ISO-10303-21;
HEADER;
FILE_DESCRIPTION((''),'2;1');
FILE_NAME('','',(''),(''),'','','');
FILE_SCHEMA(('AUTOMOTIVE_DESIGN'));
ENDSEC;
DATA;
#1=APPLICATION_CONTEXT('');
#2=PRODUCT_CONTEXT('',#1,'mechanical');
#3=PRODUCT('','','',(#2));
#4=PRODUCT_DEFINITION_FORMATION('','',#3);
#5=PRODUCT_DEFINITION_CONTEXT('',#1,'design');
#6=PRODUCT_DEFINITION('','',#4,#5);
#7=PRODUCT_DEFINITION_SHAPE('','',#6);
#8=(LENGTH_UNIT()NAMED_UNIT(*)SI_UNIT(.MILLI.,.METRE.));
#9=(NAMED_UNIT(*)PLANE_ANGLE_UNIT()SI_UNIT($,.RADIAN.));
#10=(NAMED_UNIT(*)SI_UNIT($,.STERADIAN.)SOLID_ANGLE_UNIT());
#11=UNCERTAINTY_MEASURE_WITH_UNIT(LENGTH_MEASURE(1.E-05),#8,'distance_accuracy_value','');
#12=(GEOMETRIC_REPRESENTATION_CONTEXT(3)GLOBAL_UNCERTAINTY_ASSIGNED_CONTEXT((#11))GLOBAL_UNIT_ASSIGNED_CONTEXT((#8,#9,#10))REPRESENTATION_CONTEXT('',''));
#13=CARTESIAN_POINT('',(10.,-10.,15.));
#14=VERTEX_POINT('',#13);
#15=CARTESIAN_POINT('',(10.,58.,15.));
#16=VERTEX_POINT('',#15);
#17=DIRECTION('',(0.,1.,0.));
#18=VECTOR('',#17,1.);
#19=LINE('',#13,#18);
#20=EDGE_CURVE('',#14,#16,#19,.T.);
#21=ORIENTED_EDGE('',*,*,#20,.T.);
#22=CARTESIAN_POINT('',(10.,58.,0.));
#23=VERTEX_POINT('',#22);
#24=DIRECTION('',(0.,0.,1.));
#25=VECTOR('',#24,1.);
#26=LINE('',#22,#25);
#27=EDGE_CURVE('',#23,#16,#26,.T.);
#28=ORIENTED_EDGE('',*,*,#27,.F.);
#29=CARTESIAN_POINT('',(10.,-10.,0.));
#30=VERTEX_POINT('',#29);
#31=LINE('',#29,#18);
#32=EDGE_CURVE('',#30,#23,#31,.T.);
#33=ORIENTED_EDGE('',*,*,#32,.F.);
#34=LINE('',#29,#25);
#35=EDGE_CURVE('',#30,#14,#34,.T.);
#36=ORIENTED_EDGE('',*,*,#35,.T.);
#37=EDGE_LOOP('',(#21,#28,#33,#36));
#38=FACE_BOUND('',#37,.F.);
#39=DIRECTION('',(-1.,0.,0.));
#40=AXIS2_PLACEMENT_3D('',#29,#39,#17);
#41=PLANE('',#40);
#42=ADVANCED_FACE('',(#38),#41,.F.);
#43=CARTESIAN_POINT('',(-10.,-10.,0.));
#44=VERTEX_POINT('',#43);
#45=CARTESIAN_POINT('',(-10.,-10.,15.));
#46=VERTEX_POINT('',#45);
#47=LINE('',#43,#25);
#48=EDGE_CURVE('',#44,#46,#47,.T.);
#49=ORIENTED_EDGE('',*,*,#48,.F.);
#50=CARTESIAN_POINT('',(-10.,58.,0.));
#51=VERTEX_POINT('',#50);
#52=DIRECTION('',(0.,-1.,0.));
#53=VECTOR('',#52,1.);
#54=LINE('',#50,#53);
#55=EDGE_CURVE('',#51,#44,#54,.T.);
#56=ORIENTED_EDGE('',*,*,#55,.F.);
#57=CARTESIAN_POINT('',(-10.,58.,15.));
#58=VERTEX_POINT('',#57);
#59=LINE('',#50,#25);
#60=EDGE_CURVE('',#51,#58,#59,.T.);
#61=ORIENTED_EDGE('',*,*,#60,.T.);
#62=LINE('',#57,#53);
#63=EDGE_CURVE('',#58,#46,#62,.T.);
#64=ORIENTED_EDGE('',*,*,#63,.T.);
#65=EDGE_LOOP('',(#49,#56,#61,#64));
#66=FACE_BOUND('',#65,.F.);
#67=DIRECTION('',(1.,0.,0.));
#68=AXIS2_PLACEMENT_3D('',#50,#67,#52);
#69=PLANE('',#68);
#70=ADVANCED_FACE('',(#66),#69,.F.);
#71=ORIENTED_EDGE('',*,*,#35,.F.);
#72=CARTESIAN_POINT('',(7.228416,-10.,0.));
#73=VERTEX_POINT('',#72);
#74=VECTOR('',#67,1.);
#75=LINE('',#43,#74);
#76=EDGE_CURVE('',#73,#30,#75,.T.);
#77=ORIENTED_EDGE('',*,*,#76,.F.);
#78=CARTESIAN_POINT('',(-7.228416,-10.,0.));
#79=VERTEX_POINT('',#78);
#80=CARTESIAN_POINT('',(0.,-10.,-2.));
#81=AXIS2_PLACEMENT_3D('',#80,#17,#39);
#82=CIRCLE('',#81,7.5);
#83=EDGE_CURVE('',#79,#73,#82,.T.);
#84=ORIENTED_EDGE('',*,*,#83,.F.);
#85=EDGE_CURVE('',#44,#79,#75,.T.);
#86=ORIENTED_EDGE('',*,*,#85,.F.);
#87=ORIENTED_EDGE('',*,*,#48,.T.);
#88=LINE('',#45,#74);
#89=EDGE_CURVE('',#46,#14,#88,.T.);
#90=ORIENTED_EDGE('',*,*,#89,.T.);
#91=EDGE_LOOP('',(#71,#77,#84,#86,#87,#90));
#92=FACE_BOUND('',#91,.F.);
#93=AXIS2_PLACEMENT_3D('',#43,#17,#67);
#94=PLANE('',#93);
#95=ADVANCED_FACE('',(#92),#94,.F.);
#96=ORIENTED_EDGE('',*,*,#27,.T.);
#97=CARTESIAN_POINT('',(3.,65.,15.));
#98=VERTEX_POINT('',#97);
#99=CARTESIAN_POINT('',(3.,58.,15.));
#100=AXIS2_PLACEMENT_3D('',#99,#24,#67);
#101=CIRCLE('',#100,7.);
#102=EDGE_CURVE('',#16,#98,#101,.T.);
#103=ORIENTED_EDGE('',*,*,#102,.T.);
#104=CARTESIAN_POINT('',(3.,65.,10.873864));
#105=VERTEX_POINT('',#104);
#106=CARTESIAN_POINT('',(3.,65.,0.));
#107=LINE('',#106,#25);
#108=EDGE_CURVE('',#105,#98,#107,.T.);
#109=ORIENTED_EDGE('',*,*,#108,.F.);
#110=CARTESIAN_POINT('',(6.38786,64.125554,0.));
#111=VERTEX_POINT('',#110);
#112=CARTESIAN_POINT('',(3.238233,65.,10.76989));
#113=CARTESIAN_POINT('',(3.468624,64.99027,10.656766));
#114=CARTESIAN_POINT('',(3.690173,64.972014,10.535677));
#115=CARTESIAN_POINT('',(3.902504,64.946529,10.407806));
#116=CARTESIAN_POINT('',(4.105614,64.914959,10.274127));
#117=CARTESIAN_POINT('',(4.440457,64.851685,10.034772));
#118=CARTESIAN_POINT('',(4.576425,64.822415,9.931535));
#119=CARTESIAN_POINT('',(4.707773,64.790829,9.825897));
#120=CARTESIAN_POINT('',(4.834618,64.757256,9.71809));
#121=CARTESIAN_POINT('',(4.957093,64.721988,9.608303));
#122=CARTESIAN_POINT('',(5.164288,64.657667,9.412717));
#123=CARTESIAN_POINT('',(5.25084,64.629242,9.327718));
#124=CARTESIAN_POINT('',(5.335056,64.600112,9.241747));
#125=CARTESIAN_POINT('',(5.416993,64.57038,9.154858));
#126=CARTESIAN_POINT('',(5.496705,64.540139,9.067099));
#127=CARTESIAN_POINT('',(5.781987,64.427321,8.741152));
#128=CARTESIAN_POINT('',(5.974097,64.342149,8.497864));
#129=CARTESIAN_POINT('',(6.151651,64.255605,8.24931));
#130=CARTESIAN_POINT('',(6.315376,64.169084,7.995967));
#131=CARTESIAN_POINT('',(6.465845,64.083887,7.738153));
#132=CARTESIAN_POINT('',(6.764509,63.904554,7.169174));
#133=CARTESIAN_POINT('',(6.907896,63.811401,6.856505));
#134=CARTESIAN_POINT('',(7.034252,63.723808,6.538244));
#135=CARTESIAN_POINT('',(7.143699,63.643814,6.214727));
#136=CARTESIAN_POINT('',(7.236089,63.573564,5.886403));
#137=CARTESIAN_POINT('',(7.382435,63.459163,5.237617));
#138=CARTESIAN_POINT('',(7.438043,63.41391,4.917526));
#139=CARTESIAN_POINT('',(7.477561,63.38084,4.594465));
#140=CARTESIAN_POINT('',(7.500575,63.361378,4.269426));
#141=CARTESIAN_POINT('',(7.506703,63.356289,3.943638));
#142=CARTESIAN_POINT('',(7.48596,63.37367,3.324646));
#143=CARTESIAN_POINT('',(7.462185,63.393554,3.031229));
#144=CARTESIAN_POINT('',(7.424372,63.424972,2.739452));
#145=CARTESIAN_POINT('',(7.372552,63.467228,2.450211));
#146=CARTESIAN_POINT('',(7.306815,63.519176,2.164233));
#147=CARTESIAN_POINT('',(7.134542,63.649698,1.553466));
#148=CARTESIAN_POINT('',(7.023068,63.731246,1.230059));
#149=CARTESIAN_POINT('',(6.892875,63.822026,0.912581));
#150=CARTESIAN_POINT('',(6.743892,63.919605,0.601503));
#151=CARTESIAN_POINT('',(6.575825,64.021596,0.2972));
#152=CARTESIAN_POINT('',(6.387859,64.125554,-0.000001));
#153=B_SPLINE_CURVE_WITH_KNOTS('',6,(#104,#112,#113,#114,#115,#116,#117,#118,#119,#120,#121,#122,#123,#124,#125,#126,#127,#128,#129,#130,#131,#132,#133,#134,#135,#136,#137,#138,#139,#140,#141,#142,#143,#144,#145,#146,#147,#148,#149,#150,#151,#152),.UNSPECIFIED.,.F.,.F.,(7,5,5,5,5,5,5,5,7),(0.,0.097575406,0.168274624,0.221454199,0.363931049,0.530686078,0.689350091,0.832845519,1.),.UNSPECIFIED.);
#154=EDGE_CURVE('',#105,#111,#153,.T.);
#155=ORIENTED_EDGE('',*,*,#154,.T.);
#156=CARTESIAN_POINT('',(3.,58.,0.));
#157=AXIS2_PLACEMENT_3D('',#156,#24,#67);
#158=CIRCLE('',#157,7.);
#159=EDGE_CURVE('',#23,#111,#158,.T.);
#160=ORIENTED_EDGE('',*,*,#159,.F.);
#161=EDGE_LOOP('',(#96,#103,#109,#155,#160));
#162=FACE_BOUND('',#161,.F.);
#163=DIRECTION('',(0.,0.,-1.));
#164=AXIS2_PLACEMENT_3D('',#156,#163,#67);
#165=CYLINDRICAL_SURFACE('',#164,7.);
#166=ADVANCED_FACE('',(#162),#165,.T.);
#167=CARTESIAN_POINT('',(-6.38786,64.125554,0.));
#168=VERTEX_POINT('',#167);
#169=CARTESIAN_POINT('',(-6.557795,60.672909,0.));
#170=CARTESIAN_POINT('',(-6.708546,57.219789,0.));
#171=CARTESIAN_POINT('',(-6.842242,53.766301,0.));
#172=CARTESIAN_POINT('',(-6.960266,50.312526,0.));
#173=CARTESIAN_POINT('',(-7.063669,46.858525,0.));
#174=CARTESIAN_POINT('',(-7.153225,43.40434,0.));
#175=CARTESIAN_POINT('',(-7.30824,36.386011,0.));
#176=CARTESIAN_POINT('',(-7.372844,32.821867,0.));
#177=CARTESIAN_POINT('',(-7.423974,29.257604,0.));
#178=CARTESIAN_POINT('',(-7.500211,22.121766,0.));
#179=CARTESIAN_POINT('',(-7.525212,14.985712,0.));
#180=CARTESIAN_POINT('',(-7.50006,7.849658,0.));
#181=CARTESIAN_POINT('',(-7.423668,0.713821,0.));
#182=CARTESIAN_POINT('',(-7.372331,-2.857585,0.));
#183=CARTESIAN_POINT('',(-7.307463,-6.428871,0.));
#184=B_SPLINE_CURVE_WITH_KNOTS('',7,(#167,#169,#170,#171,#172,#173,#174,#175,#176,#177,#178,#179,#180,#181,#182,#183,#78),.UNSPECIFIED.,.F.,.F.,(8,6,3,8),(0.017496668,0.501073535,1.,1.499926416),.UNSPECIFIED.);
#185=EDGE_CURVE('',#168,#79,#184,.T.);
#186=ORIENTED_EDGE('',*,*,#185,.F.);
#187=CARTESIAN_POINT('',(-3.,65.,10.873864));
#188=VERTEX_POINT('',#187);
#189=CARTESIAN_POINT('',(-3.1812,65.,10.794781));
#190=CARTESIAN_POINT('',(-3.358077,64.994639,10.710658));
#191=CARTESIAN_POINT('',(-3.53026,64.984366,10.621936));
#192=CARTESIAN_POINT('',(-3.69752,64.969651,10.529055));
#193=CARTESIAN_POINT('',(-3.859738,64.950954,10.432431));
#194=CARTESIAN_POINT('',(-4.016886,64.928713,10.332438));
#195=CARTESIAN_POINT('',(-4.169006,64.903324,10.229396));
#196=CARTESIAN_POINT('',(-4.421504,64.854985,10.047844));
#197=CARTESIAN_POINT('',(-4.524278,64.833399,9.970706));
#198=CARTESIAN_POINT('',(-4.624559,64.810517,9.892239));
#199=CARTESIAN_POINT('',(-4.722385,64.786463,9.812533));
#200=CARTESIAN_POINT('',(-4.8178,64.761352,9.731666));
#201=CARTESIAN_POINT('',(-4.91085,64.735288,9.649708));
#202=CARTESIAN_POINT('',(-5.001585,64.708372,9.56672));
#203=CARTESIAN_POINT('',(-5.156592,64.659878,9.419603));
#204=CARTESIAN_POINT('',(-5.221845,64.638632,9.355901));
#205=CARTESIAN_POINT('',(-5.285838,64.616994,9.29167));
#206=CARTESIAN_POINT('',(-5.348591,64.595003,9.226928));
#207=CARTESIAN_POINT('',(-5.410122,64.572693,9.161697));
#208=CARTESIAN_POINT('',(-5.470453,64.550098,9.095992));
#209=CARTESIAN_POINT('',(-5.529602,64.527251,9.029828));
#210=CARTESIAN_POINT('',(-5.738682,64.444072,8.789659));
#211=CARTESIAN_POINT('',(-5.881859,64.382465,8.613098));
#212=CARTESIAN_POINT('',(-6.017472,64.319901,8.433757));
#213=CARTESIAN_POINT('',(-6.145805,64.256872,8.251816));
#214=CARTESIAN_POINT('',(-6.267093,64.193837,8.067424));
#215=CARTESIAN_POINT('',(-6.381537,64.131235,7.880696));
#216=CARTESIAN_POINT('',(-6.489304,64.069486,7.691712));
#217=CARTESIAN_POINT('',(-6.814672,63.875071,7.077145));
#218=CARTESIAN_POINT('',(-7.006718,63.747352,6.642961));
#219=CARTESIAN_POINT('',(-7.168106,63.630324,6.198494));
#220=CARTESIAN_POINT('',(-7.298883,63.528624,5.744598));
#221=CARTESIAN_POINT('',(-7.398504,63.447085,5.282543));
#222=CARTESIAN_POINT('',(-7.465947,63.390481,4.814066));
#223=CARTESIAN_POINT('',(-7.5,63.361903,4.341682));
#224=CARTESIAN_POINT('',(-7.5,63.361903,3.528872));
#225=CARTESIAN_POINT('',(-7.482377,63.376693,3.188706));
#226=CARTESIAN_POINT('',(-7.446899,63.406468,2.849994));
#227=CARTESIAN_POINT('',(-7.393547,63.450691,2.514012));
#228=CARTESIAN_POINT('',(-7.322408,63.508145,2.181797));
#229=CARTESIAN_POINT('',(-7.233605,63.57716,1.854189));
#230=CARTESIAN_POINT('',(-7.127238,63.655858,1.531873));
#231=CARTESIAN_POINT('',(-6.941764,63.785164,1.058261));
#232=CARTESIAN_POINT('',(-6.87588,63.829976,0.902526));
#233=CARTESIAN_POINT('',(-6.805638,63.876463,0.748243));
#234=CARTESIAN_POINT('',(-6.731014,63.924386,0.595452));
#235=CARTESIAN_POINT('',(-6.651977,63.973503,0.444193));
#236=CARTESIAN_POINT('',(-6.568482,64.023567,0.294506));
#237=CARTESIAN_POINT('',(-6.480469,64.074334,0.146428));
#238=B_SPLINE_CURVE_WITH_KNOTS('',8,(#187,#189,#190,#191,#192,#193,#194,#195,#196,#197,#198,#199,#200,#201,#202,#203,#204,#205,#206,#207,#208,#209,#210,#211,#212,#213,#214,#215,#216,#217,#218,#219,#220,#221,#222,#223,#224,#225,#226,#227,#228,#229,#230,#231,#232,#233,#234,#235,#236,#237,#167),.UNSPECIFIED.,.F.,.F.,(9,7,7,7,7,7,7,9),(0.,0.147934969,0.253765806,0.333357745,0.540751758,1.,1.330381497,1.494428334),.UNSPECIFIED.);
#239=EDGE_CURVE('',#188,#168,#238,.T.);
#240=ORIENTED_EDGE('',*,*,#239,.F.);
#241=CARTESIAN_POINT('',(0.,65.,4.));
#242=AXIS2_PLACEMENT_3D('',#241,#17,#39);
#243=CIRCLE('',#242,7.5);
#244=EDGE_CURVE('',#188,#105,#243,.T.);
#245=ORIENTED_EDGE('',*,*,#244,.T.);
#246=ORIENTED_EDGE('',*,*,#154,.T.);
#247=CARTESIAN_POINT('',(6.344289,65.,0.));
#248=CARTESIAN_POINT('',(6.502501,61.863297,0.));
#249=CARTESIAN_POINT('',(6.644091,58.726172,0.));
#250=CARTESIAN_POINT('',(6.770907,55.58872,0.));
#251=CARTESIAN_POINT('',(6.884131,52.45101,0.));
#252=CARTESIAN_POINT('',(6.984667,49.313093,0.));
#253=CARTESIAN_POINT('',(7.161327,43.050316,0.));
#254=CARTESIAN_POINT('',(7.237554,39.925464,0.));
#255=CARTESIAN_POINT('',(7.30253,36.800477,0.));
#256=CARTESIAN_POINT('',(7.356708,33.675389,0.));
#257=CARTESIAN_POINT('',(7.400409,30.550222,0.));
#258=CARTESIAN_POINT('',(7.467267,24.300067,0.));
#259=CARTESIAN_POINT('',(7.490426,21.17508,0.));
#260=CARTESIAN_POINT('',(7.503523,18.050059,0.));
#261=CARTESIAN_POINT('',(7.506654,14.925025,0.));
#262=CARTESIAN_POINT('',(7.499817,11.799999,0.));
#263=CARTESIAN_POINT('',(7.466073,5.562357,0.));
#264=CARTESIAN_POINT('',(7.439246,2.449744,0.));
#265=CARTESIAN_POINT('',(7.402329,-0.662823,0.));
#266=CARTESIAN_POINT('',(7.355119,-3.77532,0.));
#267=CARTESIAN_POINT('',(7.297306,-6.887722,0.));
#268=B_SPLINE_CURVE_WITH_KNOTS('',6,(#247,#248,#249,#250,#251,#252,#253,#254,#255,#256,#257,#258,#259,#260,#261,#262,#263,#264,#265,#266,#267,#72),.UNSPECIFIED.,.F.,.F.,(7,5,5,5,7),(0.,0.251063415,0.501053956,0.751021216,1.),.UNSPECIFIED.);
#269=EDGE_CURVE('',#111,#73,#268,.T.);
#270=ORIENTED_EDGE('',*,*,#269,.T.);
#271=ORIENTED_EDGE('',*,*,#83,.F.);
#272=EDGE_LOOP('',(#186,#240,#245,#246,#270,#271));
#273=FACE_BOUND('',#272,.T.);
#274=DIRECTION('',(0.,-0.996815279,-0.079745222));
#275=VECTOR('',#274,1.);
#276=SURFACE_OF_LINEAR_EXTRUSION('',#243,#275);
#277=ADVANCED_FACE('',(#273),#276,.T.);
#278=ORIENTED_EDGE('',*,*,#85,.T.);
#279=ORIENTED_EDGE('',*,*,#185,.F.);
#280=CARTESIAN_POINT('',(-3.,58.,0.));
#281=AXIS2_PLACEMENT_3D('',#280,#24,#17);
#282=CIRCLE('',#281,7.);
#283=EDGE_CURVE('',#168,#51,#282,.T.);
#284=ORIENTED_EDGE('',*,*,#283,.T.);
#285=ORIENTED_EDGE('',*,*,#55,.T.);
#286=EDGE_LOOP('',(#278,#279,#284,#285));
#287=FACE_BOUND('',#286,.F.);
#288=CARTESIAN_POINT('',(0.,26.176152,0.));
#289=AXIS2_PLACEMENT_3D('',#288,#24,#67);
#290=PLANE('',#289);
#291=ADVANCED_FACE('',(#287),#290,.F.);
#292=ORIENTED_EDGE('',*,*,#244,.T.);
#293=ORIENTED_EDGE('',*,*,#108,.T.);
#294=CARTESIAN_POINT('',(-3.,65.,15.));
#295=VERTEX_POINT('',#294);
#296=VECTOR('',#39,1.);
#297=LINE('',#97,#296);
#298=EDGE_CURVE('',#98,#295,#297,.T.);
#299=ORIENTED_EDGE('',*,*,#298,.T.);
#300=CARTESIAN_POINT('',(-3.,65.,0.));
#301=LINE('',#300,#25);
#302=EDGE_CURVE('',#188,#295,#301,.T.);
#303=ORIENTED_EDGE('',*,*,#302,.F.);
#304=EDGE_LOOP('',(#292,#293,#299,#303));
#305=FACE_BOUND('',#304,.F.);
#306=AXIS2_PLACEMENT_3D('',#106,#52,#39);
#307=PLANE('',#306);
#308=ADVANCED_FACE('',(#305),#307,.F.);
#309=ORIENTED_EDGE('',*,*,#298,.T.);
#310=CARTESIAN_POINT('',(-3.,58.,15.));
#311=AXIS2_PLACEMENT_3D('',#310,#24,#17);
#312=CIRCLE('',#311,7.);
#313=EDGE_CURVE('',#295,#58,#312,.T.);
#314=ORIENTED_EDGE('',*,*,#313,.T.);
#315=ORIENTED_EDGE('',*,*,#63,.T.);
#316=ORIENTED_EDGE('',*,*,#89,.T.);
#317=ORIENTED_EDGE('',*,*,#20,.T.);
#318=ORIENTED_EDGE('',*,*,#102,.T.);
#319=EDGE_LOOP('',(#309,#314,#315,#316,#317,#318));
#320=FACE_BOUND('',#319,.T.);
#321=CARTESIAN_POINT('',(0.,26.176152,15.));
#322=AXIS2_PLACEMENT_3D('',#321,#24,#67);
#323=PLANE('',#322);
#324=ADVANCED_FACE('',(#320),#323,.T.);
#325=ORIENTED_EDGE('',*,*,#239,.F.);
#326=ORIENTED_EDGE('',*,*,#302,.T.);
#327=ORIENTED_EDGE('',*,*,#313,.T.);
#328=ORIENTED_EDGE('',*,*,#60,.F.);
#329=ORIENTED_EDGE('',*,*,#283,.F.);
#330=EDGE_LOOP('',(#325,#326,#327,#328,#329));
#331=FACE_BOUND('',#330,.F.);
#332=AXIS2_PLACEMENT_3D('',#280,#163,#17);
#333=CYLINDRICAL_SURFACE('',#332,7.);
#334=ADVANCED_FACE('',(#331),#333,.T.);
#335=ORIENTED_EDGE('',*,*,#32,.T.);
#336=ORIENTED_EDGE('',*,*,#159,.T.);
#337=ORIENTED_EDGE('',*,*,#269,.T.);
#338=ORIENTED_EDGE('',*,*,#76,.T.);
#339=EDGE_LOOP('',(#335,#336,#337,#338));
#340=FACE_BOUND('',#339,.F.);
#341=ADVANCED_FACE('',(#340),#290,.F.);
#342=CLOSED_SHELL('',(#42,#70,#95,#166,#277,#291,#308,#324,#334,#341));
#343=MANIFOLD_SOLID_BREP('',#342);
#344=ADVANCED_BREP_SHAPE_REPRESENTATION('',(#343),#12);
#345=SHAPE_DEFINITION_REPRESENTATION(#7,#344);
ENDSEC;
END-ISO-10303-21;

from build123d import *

# Parameters (mm, degrees)
F1_DEPTH = 15
F2_R     = 7.5


with BuildPart() as f1:
    # F0 (on Top) → F1 (new body)
    with BuildSketch(Plane.XY):
        with BuildLine():
            Line((-10, 58), (-10, -10))
            Line((-10, -10), (10, -10))
            Line((10, -10), (10, 58))
            ThreePointArc((10, 58), (7.9497474683, 62.9497474683), (3, 65))
            Line((3, 65), (-3, 65))
            ThreePointArc((-3, 65), (-7.9497474683, 62.9497474683), (-10, 58))
        make_face()
    extrude(amount=F1_DEPTH)

    # F4: sweep along a path in F3
    with BuildLine(Plane.YZ) as f4_path:
        Line((65, 5), (-10, -1))
    # F2 (on face) → F4 (sweep, cut)
    with BuildSketch(Plane(origin=(0, 65, 0), x_dir=(-1, 0, 0), z_dir=(0, 1, 0))):
        with Locations((0, 4)):
            Circle(F2_R)
    sweep(path=f4_path.line, mode=Mode.SUBTRACT)


solid = f1.part
